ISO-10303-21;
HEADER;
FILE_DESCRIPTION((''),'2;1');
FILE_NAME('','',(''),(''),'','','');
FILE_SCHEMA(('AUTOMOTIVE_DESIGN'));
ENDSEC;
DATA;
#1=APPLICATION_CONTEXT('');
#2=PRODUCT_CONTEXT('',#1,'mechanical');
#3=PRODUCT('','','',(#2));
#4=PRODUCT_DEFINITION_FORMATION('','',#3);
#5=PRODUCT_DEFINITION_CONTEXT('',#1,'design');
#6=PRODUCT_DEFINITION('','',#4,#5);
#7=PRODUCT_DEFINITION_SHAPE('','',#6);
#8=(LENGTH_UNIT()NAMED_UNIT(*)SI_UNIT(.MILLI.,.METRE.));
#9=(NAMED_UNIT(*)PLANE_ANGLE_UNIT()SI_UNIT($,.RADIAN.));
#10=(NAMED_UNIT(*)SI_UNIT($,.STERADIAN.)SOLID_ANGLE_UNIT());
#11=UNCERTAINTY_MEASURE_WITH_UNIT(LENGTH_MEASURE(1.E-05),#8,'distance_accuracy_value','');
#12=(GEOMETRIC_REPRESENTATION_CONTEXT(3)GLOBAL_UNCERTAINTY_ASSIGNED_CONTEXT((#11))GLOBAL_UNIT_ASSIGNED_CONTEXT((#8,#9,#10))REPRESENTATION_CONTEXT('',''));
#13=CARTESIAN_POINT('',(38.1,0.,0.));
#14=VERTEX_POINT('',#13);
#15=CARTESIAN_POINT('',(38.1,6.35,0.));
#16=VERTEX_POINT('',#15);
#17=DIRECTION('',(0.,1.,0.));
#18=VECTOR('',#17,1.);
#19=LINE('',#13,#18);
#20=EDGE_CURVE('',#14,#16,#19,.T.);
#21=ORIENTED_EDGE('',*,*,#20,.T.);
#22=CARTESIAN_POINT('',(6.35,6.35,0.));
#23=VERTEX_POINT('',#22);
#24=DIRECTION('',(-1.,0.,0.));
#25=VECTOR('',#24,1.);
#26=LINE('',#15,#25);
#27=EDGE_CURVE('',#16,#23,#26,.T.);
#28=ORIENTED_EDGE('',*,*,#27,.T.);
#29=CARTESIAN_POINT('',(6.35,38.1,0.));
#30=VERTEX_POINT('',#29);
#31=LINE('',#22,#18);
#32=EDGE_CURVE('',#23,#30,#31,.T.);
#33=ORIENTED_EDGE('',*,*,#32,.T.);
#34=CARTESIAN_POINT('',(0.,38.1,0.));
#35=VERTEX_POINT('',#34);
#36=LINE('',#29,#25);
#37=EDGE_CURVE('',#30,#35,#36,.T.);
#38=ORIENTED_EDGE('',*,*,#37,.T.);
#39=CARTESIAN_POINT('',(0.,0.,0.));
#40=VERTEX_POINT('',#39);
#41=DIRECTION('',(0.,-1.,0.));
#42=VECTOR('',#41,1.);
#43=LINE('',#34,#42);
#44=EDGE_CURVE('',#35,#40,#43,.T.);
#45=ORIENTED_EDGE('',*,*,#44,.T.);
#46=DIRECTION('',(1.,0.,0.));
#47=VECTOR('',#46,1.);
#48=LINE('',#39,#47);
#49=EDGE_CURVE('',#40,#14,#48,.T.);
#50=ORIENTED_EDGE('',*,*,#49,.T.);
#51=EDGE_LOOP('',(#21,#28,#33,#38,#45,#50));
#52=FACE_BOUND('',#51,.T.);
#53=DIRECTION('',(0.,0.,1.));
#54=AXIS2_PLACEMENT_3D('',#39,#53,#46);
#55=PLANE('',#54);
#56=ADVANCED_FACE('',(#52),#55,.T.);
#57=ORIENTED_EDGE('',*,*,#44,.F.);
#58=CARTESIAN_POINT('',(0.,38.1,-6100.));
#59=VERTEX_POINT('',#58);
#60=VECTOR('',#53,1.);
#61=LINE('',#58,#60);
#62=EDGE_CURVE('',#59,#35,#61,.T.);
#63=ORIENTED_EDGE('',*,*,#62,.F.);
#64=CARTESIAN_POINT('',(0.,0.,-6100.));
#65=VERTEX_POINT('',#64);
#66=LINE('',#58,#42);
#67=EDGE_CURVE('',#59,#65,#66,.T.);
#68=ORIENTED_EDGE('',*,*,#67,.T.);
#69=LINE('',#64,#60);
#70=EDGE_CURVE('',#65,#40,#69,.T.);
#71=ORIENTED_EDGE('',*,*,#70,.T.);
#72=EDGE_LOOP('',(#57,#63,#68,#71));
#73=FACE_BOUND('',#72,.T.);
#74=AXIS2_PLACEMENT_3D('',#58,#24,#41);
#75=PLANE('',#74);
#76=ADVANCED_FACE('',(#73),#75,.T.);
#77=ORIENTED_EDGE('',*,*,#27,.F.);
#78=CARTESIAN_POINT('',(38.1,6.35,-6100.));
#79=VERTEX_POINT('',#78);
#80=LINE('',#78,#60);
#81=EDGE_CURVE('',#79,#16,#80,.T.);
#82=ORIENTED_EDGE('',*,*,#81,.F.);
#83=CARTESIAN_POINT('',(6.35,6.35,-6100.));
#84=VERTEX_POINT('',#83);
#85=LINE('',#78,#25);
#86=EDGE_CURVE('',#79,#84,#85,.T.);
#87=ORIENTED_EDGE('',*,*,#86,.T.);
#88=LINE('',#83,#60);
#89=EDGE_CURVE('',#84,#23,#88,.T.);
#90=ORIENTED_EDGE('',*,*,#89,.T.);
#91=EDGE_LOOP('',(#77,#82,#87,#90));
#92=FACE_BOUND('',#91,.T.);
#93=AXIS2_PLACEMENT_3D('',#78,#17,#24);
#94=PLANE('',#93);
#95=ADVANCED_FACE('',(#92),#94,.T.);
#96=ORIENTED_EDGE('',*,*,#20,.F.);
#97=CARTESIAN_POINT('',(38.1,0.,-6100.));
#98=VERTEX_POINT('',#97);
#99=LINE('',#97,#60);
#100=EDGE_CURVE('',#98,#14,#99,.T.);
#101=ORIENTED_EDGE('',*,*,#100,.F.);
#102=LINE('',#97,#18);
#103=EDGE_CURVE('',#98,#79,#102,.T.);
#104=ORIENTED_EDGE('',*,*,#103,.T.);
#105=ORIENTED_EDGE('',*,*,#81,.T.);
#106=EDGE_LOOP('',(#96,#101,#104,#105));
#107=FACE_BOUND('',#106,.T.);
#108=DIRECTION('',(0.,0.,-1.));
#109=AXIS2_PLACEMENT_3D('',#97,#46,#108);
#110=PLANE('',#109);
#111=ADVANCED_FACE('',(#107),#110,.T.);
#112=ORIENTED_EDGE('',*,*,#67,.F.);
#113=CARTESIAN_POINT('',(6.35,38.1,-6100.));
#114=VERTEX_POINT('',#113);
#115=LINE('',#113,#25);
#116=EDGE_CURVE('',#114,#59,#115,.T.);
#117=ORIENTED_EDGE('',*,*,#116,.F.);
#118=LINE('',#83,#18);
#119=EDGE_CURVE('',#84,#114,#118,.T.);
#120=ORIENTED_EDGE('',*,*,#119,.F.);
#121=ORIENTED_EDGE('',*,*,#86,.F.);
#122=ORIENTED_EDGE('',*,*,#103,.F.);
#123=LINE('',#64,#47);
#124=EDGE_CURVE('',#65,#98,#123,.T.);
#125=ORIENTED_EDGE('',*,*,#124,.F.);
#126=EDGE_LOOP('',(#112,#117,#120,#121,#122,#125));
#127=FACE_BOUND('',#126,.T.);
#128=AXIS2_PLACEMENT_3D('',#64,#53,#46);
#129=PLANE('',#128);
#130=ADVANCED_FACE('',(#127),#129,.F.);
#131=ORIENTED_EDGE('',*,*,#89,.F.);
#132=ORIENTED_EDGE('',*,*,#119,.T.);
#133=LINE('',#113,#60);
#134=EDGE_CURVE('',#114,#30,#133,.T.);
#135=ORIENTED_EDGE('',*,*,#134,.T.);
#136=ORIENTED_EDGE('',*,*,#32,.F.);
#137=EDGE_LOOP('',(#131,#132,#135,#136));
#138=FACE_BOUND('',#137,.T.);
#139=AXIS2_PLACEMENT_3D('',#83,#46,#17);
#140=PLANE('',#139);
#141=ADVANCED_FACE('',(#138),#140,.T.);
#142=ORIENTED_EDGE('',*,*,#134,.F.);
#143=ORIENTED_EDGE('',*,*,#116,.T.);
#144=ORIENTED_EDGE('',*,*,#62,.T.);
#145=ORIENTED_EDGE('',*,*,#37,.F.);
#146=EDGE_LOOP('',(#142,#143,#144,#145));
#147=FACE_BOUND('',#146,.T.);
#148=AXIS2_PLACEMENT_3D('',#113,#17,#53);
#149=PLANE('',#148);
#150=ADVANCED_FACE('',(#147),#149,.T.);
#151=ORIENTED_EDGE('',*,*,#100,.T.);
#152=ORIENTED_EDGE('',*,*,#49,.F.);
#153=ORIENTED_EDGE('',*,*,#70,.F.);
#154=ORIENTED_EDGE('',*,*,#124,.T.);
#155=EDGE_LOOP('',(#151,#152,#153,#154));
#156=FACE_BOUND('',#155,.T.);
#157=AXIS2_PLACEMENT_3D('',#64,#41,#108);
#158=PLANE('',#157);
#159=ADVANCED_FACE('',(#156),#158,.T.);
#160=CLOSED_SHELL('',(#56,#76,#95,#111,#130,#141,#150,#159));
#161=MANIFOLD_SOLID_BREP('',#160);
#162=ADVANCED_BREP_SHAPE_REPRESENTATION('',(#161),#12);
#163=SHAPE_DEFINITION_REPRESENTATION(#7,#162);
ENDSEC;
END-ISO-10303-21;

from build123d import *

# Parameters (mm, degrees)
SALIENTE_EXTRUIR1_DEPTH = 6100


with BuildPart() as part:
    # Croquis1 → Saliente-Extruir1 (new body)
    with BuildSketch(Plane.XY):
        Polygon((0, 38.1), (0, 0), (38.1, 0), (38.1, 6.35), (6.35, 6.35), (6.35, 38.1), align=None)
    extrude(amount=-SALIENTE_EXTRUIR1_DEPTH)


solid = part.part
